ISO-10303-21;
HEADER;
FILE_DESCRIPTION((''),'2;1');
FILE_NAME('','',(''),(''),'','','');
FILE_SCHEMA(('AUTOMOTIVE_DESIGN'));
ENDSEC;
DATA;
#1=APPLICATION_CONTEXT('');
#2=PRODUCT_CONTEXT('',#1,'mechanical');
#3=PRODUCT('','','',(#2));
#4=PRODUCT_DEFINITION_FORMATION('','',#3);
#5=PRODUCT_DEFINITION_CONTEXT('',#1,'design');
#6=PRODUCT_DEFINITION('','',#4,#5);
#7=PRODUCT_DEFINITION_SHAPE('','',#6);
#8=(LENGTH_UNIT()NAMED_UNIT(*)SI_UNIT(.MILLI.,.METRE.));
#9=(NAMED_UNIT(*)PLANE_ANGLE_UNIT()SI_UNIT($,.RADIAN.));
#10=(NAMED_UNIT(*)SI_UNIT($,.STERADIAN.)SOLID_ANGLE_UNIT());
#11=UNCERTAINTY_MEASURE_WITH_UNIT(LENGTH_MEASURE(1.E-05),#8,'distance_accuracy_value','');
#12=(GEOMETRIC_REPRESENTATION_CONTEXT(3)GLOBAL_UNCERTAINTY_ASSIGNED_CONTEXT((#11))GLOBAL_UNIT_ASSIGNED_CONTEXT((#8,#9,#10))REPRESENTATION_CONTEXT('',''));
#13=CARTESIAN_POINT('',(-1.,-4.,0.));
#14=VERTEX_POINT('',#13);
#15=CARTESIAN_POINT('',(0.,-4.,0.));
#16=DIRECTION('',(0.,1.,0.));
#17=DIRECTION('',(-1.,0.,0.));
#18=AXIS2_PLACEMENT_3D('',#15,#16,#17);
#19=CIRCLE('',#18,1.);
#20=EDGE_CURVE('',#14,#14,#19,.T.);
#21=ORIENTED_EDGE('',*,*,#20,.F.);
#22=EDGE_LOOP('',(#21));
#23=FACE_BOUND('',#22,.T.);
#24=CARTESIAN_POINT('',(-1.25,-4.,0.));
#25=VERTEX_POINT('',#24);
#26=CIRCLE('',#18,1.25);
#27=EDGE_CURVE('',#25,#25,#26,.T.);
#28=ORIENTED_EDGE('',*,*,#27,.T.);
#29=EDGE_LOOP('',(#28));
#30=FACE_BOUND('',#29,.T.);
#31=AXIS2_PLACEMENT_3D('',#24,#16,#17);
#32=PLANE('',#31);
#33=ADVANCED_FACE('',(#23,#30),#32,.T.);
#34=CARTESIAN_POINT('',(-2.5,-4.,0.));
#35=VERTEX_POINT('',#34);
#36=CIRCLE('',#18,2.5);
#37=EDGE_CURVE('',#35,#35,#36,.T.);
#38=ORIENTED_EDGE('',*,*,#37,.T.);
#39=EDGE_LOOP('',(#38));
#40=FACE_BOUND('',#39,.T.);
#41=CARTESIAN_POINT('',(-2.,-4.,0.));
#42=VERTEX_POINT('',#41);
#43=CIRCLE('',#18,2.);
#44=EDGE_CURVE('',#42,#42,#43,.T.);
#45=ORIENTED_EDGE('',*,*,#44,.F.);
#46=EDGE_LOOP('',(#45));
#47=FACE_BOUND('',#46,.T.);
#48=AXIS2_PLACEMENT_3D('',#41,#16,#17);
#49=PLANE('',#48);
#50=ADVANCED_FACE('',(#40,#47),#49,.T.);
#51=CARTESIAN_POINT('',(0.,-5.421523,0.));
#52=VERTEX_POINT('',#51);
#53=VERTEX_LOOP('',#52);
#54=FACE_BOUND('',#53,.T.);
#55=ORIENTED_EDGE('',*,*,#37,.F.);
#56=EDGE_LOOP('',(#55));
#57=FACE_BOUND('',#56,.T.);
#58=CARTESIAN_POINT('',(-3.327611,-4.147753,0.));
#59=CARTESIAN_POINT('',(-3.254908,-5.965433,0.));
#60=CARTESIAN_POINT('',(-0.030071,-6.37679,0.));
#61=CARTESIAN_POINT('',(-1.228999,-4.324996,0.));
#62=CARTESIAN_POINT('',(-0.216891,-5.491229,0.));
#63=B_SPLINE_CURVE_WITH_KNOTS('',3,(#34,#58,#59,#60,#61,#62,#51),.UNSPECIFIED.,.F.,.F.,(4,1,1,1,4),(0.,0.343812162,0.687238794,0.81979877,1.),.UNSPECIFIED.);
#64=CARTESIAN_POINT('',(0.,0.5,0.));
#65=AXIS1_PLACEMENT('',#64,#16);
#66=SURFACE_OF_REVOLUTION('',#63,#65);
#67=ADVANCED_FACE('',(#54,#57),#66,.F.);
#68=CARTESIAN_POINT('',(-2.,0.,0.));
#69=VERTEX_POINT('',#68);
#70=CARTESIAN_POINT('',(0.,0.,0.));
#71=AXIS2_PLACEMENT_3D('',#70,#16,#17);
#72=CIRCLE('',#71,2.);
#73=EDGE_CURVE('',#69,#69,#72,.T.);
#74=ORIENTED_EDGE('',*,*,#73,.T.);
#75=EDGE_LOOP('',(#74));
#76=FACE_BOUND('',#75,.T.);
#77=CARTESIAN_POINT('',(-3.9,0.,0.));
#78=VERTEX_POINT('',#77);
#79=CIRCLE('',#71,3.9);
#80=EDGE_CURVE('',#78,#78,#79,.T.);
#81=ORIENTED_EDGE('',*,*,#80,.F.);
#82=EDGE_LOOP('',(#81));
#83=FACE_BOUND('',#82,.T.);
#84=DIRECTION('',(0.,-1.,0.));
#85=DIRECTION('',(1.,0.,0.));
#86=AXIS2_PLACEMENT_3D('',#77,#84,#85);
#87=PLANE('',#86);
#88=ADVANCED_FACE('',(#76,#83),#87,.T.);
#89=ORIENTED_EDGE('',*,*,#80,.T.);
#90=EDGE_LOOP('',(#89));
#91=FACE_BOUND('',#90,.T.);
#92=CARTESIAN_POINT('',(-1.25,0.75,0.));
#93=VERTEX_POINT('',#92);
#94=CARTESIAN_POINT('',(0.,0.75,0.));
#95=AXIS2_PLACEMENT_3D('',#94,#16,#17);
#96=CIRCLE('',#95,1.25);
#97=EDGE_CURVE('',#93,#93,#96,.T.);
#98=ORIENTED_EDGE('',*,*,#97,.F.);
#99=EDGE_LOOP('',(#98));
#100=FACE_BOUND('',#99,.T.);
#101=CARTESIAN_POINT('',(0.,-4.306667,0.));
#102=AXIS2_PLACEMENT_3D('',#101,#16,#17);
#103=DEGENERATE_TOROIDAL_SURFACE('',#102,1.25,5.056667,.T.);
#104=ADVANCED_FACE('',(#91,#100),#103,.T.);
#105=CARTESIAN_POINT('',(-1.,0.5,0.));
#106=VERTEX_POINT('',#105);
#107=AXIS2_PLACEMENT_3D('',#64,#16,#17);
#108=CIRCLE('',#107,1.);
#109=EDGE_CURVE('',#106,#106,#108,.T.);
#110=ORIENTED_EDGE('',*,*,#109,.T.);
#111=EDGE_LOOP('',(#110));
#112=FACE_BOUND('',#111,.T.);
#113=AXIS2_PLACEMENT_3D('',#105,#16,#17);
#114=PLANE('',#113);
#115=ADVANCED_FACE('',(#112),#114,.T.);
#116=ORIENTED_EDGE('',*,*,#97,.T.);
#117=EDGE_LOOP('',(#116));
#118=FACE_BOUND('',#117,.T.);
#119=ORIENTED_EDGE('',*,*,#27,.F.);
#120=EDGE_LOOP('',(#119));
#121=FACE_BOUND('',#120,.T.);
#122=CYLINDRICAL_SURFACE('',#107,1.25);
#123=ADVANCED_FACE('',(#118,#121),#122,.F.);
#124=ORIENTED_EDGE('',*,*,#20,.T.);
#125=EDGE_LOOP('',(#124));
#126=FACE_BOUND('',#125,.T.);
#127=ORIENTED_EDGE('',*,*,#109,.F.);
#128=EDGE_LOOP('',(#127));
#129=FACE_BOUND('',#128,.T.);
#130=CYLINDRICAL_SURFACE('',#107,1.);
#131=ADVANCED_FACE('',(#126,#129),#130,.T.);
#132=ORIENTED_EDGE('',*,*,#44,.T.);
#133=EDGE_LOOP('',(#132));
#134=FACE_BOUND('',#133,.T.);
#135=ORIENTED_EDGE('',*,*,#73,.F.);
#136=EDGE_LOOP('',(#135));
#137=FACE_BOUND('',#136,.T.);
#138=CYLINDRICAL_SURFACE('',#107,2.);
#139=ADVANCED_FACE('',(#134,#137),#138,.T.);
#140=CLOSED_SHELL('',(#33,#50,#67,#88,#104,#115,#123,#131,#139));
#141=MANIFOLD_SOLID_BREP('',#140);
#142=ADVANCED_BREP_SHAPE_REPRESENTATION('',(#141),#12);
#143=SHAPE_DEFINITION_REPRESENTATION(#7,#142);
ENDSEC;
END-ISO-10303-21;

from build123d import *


with BuildPart() as part:
    # Szkic1 → Obrót1 (revolve)
    with BuildSketch(Plane.XY):
        with BuildLine():
            Line((-3.9, 0), (-2, 0))
            Line((-2, 0), (-2, -4))
            Line((-2, -4), (-2.5, -4))
            add(Edge.make_bspline(
                [(-2.5, -4), (-3.327610974, -4.147752927), (-3.254907827, -5.965433101), (-0.030071268, -6.376789975), (-1.228998971, -4.324995631), (-0.216890965, -5.491229408), (0, -5.421523045)],
                knots=[0, 0, 0, 0, 0.343812162, 0.687238794, 0.81979877, 1, 1, 1, 1], degree=3))
            Line((0, -5.421523045), (0, 0.5))
            Line((0, 0.5), (-1, 0.5))
            Line((-1, 0.5), (-1, -4))
            Line((-1, -4), (-1.25, -4))
            Line((-1.25, -4), (-1.25, 0.75))
            ThreePointArc((-1.25, 0.75), (-2.627043935, 0.558888572), (-3.9, 0))
        make_face()
    revolve(axis=Axis((0, 0.5, 0), (0, -1, 0)))


solid = part.part
